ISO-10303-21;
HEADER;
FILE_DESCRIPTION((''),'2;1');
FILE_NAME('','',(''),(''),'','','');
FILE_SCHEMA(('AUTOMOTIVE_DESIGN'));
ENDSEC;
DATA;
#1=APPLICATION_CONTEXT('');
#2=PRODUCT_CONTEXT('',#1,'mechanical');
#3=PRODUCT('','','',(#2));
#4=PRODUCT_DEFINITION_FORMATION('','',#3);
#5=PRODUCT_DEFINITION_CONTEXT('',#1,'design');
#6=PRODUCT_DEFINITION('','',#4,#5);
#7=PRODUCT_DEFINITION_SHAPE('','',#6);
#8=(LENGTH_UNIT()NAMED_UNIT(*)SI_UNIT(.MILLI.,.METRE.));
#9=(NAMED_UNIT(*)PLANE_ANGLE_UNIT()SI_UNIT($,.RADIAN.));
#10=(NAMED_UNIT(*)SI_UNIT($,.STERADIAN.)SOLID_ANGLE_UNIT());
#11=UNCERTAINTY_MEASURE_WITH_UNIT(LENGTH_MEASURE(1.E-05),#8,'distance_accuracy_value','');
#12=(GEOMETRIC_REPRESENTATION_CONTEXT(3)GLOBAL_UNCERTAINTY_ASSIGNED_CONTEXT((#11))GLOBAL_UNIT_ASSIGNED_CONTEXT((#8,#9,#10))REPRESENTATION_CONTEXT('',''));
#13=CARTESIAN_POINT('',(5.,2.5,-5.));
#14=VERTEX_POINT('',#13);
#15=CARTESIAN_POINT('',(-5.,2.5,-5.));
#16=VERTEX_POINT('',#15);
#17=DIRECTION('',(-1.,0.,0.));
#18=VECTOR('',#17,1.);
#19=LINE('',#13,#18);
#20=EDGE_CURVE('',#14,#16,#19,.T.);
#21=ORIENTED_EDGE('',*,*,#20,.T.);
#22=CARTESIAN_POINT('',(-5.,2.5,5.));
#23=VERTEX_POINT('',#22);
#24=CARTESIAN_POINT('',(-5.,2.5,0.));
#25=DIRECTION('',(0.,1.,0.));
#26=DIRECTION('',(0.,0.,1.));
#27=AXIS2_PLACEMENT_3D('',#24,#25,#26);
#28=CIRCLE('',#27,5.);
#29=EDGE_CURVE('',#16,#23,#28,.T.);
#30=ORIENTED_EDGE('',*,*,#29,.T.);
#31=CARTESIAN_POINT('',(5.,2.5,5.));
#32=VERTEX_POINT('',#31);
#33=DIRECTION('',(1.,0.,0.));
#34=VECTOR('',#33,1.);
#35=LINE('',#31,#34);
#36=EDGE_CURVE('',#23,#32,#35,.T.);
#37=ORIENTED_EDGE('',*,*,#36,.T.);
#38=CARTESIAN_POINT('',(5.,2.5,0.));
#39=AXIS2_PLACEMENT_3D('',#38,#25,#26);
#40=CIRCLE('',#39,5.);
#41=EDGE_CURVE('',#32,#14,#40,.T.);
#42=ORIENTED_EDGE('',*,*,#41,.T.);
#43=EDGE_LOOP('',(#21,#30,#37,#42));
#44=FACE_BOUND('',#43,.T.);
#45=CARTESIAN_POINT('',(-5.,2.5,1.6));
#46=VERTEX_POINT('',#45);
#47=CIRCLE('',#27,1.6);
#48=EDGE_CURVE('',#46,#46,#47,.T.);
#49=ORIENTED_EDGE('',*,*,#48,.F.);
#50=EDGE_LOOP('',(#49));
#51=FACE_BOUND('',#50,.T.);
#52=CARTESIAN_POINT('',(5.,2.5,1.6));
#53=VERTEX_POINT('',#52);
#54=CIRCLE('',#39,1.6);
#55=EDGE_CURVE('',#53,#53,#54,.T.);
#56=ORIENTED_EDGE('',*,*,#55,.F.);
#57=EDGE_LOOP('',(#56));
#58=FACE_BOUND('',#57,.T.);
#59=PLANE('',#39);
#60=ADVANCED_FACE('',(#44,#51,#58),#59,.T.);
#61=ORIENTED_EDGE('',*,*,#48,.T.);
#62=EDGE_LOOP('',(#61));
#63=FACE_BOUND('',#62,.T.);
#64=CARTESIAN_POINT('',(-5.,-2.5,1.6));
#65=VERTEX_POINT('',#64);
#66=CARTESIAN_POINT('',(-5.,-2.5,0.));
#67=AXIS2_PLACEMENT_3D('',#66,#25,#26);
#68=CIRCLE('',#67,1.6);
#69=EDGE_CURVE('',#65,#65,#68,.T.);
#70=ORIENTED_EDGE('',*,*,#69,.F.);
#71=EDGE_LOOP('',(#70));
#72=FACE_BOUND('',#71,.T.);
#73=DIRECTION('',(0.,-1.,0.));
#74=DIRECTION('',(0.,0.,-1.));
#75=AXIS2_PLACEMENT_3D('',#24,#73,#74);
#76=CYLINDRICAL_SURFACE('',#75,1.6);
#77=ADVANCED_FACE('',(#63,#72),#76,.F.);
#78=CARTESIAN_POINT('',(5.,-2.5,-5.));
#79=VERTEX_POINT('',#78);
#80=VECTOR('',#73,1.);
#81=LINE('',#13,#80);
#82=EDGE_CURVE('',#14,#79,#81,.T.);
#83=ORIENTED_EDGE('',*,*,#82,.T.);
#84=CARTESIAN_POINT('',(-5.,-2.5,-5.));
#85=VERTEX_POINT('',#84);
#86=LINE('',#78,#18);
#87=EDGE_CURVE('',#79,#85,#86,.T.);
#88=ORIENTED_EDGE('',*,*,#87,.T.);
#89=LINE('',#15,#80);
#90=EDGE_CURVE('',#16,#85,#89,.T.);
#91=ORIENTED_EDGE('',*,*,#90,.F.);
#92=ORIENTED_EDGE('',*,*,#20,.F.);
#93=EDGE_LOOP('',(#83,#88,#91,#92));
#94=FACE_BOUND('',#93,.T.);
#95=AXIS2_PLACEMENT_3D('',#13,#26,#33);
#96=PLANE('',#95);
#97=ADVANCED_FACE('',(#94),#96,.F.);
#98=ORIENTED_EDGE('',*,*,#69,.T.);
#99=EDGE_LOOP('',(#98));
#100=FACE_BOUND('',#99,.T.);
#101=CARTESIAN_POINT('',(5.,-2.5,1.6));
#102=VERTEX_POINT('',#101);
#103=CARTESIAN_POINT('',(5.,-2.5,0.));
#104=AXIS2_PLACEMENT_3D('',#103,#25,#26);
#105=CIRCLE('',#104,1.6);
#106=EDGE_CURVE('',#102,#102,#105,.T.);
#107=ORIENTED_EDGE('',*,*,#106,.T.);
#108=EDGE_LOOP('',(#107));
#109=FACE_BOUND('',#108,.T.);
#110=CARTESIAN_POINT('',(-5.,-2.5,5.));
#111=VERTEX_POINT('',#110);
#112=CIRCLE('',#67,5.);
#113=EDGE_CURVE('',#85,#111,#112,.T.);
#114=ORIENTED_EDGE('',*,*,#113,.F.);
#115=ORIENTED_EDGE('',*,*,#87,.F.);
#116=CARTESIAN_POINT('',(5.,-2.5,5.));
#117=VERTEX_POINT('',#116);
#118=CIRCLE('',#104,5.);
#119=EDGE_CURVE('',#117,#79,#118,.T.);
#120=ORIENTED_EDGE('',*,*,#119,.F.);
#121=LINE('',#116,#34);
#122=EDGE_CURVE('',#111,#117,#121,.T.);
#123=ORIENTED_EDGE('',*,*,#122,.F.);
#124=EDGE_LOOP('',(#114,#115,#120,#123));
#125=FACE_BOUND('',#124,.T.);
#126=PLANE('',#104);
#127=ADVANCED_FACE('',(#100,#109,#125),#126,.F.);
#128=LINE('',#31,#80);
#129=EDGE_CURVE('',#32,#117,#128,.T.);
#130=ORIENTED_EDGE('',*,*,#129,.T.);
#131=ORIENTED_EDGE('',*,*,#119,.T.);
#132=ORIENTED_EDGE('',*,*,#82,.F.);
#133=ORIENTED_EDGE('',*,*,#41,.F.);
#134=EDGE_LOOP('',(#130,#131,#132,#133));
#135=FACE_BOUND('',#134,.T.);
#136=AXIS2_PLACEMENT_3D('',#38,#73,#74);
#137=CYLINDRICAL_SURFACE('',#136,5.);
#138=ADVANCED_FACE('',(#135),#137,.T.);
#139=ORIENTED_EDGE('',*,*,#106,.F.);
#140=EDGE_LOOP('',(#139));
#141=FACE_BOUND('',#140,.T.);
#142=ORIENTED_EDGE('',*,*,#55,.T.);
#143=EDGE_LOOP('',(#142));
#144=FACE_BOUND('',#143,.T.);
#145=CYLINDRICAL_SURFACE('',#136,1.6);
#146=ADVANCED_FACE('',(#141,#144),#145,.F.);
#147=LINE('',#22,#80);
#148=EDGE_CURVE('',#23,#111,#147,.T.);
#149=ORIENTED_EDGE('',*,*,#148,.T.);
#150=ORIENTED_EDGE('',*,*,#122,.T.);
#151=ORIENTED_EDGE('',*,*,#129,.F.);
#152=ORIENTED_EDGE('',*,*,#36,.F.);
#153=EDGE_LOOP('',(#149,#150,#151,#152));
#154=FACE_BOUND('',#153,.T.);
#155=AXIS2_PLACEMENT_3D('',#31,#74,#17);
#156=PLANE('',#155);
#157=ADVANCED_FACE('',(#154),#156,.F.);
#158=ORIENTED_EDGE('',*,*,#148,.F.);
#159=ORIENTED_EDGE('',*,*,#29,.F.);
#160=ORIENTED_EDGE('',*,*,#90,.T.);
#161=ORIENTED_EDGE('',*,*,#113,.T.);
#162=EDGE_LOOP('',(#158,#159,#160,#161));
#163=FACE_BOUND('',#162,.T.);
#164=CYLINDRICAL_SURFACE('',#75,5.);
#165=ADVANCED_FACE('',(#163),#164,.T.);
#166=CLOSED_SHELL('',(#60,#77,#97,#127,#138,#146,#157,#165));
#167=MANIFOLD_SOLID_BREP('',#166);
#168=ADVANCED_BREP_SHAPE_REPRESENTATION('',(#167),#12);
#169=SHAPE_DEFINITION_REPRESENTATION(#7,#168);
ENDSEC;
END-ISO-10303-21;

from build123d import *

# Parameters (mm, degrees)
SKETCH1_R           = 1.6
BOSS_EXTRUDE1_DEPTH = 2.5


with BuildPart() as part:
    # Sketch1 → Boss-Extrude1 (new body, symmetric)
    with BuildSketch(Plane(origin=(0, 0, 0), x_dir=(1, 0, 0), z_dir=(0, 1, 0))):
        with BuildLine():
            Line((5, -5), (-5, -5))
            ThreePointArc((-5, -5), (-10, 0), (-5, 5))
            Line((-5, 5), (5, 5))
            ThreePointArc((5, 5), (10, 0), (5, -5))
        make_face()
        with Locations((-5, 0)):
            Circle(SKETCH1_R, mode=Mode.SUBTRACT)
        with Locations((5, 0)):
            Circle(SKETCH1_R, mode=Mode.SUBTRACT)
    extrude(amount=BOSS_EXTRUDE1_DEPTH, both=True)


solid = part.part
